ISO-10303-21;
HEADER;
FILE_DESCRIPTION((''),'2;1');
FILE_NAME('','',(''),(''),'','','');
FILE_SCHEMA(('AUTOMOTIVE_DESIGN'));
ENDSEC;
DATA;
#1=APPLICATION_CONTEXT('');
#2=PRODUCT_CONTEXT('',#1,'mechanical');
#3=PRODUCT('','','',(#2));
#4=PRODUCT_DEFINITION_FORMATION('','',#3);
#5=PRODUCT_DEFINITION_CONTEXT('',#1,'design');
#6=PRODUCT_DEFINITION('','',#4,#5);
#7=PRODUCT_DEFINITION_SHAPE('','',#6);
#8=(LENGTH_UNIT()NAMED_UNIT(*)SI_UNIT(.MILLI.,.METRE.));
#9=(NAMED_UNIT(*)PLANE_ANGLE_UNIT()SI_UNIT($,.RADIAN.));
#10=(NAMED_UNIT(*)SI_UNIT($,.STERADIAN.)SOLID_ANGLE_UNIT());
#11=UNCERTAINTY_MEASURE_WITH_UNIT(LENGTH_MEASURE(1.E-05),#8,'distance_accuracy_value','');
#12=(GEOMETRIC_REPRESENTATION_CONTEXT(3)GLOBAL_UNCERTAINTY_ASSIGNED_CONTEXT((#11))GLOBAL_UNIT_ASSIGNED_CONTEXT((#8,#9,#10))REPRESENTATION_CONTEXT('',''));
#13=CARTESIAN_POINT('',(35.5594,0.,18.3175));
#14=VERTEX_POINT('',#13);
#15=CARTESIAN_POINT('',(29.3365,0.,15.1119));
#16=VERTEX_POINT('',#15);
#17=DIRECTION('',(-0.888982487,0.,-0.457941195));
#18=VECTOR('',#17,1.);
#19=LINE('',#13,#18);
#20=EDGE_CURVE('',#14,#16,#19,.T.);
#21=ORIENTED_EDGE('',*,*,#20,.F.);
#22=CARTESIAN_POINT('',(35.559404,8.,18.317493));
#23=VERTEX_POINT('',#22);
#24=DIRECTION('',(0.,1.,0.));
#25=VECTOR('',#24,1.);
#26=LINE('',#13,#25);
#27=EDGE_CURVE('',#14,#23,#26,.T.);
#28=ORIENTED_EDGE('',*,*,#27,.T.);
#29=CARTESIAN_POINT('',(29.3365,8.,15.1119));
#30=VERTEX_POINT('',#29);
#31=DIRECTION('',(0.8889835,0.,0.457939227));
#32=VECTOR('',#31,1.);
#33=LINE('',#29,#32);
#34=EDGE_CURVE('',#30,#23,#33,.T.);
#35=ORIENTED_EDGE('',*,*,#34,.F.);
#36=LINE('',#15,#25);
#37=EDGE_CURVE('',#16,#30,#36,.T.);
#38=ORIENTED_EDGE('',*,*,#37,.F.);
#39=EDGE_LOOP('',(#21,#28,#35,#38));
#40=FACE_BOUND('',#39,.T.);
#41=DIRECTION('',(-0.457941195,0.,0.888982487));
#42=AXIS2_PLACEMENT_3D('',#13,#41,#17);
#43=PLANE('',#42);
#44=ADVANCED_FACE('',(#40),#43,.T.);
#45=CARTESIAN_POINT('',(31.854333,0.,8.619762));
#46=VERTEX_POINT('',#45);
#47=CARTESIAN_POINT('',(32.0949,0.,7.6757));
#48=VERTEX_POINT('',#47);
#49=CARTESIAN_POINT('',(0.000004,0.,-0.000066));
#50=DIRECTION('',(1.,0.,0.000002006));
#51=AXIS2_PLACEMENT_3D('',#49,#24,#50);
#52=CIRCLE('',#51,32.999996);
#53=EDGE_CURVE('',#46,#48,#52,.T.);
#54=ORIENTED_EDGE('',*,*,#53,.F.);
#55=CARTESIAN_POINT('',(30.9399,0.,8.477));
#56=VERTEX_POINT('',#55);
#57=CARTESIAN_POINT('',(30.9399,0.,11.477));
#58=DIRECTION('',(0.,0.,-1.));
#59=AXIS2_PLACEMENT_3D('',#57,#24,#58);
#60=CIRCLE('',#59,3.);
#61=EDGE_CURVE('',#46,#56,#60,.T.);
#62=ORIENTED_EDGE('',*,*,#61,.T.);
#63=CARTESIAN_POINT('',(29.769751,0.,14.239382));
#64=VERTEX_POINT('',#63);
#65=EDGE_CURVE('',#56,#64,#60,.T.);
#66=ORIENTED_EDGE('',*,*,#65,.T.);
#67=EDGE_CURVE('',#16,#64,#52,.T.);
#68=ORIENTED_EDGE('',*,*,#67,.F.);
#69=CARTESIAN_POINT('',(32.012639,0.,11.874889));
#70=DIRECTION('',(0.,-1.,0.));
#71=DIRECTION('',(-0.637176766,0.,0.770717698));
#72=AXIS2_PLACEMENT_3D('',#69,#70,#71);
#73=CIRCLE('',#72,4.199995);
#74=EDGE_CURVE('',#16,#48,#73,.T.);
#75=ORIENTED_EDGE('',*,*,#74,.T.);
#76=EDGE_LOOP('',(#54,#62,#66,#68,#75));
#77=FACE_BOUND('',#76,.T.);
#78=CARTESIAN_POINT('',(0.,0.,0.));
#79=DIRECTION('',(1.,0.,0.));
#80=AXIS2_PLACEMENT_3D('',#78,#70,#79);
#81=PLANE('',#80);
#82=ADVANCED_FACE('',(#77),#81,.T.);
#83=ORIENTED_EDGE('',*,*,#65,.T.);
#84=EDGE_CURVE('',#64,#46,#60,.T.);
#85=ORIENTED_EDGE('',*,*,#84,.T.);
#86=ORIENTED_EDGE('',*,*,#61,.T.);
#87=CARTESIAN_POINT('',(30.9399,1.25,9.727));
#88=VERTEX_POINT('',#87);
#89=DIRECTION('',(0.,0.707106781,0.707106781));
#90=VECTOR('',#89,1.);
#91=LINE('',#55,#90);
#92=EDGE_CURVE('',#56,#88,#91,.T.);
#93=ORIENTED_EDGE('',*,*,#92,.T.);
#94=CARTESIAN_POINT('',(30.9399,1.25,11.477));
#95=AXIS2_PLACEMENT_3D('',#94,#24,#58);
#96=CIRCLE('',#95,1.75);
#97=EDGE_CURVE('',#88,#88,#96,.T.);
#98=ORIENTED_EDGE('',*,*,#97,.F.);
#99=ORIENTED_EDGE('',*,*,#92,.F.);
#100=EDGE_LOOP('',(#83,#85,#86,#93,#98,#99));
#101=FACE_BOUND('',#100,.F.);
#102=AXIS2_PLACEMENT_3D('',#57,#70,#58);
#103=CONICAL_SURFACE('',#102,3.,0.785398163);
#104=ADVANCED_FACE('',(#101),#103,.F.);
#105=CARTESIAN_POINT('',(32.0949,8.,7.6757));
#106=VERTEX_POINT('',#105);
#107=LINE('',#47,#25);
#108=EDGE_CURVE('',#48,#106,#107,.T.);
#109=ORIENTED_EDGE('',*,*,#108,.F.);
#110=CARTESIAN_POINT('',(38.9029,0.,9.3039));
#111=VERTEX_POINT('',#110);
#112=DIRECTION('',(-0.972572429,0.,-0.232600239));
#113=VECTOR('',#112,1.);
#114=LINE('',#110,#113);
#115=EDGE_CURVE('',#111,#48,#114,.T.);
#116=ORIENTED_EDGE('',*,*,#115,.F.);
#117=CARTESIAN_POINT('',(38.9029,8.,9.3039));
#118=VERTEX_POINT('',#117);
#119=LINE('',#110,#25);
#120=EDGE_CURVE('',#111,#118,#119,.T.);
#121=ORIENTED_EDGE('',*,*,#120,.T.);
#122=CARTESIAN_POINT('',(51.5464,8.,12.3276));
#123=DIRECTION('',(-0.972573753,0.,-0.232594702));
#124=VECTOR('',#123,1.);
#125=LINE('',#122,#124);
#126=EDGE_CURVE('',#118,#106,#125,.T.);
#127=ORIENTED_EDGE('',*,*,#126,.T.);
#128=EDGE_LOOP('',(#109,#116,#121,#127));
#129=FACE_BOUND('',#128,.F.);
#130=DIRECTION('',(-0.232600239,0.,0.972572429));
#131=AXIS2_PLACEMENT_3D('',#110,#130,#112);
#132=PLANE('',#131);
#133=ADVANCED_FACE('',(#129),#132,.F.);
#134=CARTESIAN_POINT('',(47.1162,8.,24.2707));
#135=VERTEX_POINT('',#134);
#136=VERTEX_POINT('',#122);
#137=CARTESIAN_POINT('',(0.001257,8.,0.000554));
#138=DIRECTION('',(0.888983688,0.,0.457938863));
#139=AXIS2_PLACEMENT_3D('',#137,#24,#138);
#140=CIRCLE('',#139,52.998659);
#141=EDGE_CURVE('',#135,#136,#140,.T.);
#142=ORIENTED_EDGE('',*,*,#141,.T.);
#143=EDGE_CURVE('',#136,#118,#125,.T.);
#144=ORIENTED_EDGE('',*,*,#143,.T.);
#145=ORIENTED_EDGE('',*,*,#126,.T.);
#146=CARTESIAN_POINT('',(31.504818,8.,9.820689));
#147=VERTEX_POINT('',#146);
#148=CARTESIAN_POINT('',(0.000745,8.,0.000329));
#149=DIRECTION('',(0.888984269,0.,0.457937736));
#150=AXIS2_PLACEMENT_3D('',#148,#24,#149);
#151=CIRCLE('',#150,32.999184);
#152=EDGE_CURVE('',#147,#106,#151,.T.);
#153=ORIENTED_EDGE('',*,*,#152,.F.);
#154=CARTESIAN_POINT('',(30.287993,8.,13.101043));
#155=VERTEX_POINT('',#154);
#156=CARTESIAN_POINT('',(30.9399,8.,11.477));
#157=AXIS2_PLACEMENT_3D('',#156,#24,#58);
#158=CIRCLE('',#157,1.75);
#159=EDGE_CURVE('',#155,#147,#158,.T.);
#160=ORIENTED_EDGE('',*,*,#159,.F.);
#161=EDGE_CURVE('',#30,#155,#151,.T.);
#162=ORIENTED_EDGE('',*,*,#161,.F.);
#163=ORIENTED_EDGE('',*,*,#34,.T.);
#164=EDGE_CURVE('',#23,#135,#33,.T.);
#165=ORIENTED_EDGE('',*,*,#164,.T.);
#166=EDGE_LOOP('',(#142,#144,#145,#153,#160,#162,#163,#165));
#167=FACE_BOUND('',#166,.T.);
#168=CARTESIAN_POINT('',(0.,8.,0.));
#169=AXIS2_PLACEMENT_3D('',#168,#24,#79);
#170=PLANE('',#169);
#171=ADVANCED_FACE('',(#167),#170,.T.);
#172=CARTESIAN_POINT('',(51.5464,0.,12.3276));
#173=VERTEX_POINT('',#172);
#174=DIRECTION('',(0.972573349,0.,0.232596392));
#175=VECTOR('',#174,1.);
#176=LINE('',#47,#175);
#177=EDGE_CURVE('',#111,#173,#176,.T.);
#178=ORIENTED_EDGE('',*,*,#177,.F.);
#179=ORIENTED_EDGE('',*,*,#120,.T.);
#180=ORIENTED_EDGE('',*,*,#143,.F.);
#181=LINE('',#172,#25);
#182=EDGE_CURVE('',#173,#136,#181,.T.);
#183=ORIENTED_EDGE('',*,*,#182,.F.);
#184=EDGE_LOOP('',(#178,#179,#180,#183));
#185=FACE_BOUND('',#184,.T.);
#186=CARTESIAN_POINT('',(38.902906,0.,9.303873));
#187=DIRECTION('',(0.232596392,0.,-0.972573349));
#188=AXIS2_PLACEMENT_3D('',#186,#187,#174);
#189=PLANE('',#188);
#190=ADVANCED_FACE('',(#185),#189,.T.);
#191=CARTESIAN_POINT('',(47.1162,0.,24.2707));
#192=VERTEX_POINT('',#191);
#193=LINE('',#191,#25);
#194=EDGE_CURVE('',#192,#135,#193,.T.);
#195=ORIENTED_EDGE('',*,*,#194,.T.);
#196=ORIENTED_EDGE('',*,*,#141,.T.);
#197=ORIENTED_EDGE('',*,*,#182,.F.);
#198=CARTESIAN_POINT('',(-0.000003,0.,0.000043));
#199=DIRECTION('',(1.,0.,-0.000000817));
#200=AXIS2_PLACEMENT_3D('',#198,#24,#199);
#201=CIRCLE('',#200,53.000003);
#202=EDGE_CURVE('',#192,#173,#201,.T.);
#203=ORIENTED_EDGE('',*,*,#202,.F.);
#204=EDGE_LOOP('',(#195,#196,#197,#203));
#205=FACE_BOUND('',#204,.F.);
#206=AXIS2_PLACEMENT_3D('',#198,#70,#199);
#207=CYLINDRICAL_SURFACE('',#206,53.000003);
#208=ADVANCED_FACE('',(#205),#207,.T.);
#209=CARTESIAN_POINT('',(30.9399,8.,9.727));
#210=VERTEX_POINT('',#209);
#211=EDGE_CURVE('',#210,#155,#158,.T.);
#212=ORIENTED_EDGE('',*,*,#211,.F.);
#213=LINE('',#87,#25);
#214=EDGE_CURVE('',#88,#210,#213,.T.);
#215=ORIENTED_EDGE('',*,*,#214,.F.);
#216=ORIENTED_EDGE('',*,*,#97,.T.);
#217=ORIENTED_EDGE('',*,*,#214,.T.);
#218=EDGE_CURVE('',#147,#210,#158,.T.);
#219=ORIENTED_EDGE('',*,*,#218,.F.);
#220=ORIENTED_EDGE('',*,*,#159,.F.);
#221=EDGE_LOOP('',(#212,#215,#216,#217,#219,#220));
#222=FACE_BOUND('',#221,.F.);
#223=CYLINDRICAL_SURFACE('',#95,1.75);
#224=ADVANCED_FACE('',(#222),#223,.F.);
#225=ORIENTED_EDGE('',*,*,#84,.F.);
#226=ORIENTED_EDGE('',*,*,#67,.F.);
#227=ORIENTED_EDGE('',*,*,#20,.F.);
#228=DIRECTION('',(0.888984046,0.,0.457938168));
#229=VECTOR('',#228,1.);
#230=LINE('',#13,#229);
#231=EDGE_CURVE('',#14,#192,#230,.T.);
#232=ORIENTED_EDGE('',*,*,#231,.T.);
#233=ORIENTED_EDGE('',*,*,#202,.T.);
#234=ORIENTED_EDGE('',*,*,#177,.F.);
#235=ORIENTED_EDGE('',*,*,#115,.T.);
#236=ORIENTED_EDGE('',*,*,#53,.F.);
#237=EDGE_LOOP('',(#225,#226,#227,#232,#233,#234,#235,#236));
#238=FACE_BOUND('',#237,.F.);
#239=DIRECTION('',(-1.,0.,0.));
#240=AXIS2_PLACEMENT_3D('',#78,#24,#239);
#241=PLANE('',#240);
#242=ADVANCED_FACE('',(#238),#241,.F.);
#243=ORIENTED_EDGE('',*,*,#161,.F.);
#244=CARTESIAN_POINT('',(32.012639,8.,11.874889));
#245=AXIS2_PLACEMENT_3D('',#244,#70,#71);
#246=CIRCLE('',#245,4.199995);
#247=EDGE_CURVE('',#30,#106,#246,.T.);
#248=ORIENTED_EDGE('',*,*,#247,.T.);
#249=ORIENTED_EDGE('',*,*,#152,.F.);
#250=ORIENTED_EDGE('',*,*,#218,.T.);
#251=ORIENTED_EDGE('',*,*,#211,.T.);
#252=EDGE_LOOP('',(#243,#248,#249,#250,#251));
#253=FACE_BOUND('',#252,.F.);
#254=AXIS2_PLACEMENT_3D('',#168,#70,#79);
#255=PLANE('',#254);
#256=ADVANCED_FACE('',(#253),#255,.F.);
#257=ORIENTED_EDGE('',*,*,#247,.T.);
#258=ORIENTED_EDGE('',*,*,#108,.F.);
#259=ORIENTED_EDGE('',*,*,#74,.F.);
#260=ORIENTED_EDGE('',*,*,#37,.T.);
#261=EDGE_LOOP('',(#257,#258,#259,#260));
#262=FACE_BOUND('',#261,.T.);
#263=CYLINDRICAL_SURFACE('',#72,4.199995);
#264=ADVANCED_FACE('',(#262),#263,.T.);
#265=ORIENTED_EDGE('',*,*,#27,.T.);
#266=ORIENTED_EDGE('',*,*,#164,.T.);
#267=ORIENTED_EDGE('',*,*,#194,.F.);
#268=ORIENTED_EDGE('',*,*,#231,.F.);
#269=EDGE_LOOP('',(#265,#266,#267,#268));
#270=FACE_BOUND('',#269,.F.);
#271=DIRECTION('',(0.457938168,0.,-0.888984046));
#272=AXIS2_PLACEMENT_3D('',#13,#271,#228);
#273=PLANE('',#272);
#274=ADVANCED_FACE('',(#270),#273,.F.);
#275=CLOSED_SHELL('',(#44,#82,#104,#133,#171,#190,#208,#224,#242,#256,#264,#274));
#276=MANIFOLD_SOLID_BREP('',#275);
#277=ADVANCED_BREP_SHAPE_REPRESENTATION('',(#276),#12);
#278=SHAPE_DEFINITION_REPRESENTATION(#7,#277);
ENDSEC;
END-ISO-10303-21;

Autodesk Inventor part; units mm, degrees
ref_plane "YZ Plane" through (0, 0, 0) normal (1, 0, 0) x (0, 1, 0)
ref_plane "XZ Plane" through (0, 0, 0) normal (0, 1, 0) x (-1, 0, 0)
ref_plane "XY Plane" through (0, 0, 0) normal (0, 0, 1) x (1, 0, 0)
sketch "Sketch1" plane through (0, 0, 0) normal (0, 1, 0) x (-1, 0, 0)
  arc A0 (-33, 0) -> (-32.0949, 7.6757) centre (0, 0) ccw
  arc A1 (-40, 0) -> (-38.9029, 9.3039) centre (0, 0) ccw
  arc A2 (-53, 0) -> (-51.5464, 12.3276) centre (0, 0) ccw
  line L0 (-85, 0) -> (100, 0) construction
  line L1 (-226, 10) -> (0, 10) construction
  line L2 (0, 10) -> (0, -10) construction
  line L3 (0, -10) -> (-226, -10) construction
  line L4 (-226, -10) -> (-226, 10) construction
  line L5 (-226, 10) -> (0, -10) construction
  line L6 (0, 10) -> (-226, -10) construction
  line L7 (-52.0481, -10) -> (-44.1646, -51.032)
  line L8 (-38.9029, 9.3039) -> (-32.0949, 7.6757)
  line L9 (-52.0481, -10) -> (-84.6485, -16.2635)
  circle A3 centre (0, 0) radius 33 construction
  line L10 (0, 0) -> (-30.9399, 11.477) construction
  line L11 (-35.5594, 18.3175) -> (-29.3365, 15.1119)
  line L12 (-19.4128, 10) -> (0, 0)
  line L13 (0, 0) -> (-30.5202, 7.2991)
  line L14 (-32.0949, 7.6757) -> (-148.5747, 35.5325)
  line L15 (-35.5594, 18.3175) -> (-47.1162, 24.2707)
  point P0 (-113, 0)
  point P1 (-113, 0)
  point P2 (-45.9257, 26.4544)
  dimension "d13" = 66
  dimension "d0" = 66
  dimension "d1" = 80
  dimension "d2" = 106
  dimension "d3" = 20
  dimension "d5" = 100.876
  dimension "d11" = 90
  dimension "d12" = 10.876
extrude "Extrusion1" add sketch "Sketch1" along normal blind 10
sketch "Sketch3" plane through (0, 10, 0) normal (0, 1, 0) x (1, 0, 0)
  line L0 (29.3365, -15.1119) -> (47.1162, -24.2707) projected
  arc A0 (29.3365, -15.1119) -> (32.0949, -7.6757) centre (0, 0) ccw projected
  line L1 (51.5464, -12.3276) -> (32.0949, -7.6757) projected
  arc A1 (47.1162, -24.2707) -> (51.5464, -12.3276) centre (0, 0) ccw projected
  arc A2 (40, 0) -> (38.9029, -9.3039) centre (0, 0) ccw projected
  point P0 (35.5594, -18.3175)
extrude "Extrusion3" cut sketch "Sketch3" against normal blind 2
ref_plane "Work Plane1" through (30.9399, 0, 11.477) normal (0, -1, 0) x (-0.3478, 0, 0.9376)
sketch "Sketch5" plane through (0, 0, 0) normal (0, -1, 0) x (1, 0, 0)
  arc A0 (32.0949, 7.6757) -> (29.3365, 15.1119) centre (0, 0) ccw projected
  arc A1 (29.3365, 15.1119) -> (32.0949, 7.6757) centre (32.0126, 11.8749) ccw
  dimension "d38" = 4.2
extrude "Extrusion5" add sketch "Sketch5" against normal up to surface (8 mm away)
hole "Hole3" at (30.9399, 0, 11.477) direction (0, 1, 0) diameter 3.5 depth 8 tip angle 118 countersink diameter 6 countersink angle 90
equation "\"d13\" = d0"
equation "\"d15\" = 0.5 * d14"
properties part number "end_stop_plug_v3"
